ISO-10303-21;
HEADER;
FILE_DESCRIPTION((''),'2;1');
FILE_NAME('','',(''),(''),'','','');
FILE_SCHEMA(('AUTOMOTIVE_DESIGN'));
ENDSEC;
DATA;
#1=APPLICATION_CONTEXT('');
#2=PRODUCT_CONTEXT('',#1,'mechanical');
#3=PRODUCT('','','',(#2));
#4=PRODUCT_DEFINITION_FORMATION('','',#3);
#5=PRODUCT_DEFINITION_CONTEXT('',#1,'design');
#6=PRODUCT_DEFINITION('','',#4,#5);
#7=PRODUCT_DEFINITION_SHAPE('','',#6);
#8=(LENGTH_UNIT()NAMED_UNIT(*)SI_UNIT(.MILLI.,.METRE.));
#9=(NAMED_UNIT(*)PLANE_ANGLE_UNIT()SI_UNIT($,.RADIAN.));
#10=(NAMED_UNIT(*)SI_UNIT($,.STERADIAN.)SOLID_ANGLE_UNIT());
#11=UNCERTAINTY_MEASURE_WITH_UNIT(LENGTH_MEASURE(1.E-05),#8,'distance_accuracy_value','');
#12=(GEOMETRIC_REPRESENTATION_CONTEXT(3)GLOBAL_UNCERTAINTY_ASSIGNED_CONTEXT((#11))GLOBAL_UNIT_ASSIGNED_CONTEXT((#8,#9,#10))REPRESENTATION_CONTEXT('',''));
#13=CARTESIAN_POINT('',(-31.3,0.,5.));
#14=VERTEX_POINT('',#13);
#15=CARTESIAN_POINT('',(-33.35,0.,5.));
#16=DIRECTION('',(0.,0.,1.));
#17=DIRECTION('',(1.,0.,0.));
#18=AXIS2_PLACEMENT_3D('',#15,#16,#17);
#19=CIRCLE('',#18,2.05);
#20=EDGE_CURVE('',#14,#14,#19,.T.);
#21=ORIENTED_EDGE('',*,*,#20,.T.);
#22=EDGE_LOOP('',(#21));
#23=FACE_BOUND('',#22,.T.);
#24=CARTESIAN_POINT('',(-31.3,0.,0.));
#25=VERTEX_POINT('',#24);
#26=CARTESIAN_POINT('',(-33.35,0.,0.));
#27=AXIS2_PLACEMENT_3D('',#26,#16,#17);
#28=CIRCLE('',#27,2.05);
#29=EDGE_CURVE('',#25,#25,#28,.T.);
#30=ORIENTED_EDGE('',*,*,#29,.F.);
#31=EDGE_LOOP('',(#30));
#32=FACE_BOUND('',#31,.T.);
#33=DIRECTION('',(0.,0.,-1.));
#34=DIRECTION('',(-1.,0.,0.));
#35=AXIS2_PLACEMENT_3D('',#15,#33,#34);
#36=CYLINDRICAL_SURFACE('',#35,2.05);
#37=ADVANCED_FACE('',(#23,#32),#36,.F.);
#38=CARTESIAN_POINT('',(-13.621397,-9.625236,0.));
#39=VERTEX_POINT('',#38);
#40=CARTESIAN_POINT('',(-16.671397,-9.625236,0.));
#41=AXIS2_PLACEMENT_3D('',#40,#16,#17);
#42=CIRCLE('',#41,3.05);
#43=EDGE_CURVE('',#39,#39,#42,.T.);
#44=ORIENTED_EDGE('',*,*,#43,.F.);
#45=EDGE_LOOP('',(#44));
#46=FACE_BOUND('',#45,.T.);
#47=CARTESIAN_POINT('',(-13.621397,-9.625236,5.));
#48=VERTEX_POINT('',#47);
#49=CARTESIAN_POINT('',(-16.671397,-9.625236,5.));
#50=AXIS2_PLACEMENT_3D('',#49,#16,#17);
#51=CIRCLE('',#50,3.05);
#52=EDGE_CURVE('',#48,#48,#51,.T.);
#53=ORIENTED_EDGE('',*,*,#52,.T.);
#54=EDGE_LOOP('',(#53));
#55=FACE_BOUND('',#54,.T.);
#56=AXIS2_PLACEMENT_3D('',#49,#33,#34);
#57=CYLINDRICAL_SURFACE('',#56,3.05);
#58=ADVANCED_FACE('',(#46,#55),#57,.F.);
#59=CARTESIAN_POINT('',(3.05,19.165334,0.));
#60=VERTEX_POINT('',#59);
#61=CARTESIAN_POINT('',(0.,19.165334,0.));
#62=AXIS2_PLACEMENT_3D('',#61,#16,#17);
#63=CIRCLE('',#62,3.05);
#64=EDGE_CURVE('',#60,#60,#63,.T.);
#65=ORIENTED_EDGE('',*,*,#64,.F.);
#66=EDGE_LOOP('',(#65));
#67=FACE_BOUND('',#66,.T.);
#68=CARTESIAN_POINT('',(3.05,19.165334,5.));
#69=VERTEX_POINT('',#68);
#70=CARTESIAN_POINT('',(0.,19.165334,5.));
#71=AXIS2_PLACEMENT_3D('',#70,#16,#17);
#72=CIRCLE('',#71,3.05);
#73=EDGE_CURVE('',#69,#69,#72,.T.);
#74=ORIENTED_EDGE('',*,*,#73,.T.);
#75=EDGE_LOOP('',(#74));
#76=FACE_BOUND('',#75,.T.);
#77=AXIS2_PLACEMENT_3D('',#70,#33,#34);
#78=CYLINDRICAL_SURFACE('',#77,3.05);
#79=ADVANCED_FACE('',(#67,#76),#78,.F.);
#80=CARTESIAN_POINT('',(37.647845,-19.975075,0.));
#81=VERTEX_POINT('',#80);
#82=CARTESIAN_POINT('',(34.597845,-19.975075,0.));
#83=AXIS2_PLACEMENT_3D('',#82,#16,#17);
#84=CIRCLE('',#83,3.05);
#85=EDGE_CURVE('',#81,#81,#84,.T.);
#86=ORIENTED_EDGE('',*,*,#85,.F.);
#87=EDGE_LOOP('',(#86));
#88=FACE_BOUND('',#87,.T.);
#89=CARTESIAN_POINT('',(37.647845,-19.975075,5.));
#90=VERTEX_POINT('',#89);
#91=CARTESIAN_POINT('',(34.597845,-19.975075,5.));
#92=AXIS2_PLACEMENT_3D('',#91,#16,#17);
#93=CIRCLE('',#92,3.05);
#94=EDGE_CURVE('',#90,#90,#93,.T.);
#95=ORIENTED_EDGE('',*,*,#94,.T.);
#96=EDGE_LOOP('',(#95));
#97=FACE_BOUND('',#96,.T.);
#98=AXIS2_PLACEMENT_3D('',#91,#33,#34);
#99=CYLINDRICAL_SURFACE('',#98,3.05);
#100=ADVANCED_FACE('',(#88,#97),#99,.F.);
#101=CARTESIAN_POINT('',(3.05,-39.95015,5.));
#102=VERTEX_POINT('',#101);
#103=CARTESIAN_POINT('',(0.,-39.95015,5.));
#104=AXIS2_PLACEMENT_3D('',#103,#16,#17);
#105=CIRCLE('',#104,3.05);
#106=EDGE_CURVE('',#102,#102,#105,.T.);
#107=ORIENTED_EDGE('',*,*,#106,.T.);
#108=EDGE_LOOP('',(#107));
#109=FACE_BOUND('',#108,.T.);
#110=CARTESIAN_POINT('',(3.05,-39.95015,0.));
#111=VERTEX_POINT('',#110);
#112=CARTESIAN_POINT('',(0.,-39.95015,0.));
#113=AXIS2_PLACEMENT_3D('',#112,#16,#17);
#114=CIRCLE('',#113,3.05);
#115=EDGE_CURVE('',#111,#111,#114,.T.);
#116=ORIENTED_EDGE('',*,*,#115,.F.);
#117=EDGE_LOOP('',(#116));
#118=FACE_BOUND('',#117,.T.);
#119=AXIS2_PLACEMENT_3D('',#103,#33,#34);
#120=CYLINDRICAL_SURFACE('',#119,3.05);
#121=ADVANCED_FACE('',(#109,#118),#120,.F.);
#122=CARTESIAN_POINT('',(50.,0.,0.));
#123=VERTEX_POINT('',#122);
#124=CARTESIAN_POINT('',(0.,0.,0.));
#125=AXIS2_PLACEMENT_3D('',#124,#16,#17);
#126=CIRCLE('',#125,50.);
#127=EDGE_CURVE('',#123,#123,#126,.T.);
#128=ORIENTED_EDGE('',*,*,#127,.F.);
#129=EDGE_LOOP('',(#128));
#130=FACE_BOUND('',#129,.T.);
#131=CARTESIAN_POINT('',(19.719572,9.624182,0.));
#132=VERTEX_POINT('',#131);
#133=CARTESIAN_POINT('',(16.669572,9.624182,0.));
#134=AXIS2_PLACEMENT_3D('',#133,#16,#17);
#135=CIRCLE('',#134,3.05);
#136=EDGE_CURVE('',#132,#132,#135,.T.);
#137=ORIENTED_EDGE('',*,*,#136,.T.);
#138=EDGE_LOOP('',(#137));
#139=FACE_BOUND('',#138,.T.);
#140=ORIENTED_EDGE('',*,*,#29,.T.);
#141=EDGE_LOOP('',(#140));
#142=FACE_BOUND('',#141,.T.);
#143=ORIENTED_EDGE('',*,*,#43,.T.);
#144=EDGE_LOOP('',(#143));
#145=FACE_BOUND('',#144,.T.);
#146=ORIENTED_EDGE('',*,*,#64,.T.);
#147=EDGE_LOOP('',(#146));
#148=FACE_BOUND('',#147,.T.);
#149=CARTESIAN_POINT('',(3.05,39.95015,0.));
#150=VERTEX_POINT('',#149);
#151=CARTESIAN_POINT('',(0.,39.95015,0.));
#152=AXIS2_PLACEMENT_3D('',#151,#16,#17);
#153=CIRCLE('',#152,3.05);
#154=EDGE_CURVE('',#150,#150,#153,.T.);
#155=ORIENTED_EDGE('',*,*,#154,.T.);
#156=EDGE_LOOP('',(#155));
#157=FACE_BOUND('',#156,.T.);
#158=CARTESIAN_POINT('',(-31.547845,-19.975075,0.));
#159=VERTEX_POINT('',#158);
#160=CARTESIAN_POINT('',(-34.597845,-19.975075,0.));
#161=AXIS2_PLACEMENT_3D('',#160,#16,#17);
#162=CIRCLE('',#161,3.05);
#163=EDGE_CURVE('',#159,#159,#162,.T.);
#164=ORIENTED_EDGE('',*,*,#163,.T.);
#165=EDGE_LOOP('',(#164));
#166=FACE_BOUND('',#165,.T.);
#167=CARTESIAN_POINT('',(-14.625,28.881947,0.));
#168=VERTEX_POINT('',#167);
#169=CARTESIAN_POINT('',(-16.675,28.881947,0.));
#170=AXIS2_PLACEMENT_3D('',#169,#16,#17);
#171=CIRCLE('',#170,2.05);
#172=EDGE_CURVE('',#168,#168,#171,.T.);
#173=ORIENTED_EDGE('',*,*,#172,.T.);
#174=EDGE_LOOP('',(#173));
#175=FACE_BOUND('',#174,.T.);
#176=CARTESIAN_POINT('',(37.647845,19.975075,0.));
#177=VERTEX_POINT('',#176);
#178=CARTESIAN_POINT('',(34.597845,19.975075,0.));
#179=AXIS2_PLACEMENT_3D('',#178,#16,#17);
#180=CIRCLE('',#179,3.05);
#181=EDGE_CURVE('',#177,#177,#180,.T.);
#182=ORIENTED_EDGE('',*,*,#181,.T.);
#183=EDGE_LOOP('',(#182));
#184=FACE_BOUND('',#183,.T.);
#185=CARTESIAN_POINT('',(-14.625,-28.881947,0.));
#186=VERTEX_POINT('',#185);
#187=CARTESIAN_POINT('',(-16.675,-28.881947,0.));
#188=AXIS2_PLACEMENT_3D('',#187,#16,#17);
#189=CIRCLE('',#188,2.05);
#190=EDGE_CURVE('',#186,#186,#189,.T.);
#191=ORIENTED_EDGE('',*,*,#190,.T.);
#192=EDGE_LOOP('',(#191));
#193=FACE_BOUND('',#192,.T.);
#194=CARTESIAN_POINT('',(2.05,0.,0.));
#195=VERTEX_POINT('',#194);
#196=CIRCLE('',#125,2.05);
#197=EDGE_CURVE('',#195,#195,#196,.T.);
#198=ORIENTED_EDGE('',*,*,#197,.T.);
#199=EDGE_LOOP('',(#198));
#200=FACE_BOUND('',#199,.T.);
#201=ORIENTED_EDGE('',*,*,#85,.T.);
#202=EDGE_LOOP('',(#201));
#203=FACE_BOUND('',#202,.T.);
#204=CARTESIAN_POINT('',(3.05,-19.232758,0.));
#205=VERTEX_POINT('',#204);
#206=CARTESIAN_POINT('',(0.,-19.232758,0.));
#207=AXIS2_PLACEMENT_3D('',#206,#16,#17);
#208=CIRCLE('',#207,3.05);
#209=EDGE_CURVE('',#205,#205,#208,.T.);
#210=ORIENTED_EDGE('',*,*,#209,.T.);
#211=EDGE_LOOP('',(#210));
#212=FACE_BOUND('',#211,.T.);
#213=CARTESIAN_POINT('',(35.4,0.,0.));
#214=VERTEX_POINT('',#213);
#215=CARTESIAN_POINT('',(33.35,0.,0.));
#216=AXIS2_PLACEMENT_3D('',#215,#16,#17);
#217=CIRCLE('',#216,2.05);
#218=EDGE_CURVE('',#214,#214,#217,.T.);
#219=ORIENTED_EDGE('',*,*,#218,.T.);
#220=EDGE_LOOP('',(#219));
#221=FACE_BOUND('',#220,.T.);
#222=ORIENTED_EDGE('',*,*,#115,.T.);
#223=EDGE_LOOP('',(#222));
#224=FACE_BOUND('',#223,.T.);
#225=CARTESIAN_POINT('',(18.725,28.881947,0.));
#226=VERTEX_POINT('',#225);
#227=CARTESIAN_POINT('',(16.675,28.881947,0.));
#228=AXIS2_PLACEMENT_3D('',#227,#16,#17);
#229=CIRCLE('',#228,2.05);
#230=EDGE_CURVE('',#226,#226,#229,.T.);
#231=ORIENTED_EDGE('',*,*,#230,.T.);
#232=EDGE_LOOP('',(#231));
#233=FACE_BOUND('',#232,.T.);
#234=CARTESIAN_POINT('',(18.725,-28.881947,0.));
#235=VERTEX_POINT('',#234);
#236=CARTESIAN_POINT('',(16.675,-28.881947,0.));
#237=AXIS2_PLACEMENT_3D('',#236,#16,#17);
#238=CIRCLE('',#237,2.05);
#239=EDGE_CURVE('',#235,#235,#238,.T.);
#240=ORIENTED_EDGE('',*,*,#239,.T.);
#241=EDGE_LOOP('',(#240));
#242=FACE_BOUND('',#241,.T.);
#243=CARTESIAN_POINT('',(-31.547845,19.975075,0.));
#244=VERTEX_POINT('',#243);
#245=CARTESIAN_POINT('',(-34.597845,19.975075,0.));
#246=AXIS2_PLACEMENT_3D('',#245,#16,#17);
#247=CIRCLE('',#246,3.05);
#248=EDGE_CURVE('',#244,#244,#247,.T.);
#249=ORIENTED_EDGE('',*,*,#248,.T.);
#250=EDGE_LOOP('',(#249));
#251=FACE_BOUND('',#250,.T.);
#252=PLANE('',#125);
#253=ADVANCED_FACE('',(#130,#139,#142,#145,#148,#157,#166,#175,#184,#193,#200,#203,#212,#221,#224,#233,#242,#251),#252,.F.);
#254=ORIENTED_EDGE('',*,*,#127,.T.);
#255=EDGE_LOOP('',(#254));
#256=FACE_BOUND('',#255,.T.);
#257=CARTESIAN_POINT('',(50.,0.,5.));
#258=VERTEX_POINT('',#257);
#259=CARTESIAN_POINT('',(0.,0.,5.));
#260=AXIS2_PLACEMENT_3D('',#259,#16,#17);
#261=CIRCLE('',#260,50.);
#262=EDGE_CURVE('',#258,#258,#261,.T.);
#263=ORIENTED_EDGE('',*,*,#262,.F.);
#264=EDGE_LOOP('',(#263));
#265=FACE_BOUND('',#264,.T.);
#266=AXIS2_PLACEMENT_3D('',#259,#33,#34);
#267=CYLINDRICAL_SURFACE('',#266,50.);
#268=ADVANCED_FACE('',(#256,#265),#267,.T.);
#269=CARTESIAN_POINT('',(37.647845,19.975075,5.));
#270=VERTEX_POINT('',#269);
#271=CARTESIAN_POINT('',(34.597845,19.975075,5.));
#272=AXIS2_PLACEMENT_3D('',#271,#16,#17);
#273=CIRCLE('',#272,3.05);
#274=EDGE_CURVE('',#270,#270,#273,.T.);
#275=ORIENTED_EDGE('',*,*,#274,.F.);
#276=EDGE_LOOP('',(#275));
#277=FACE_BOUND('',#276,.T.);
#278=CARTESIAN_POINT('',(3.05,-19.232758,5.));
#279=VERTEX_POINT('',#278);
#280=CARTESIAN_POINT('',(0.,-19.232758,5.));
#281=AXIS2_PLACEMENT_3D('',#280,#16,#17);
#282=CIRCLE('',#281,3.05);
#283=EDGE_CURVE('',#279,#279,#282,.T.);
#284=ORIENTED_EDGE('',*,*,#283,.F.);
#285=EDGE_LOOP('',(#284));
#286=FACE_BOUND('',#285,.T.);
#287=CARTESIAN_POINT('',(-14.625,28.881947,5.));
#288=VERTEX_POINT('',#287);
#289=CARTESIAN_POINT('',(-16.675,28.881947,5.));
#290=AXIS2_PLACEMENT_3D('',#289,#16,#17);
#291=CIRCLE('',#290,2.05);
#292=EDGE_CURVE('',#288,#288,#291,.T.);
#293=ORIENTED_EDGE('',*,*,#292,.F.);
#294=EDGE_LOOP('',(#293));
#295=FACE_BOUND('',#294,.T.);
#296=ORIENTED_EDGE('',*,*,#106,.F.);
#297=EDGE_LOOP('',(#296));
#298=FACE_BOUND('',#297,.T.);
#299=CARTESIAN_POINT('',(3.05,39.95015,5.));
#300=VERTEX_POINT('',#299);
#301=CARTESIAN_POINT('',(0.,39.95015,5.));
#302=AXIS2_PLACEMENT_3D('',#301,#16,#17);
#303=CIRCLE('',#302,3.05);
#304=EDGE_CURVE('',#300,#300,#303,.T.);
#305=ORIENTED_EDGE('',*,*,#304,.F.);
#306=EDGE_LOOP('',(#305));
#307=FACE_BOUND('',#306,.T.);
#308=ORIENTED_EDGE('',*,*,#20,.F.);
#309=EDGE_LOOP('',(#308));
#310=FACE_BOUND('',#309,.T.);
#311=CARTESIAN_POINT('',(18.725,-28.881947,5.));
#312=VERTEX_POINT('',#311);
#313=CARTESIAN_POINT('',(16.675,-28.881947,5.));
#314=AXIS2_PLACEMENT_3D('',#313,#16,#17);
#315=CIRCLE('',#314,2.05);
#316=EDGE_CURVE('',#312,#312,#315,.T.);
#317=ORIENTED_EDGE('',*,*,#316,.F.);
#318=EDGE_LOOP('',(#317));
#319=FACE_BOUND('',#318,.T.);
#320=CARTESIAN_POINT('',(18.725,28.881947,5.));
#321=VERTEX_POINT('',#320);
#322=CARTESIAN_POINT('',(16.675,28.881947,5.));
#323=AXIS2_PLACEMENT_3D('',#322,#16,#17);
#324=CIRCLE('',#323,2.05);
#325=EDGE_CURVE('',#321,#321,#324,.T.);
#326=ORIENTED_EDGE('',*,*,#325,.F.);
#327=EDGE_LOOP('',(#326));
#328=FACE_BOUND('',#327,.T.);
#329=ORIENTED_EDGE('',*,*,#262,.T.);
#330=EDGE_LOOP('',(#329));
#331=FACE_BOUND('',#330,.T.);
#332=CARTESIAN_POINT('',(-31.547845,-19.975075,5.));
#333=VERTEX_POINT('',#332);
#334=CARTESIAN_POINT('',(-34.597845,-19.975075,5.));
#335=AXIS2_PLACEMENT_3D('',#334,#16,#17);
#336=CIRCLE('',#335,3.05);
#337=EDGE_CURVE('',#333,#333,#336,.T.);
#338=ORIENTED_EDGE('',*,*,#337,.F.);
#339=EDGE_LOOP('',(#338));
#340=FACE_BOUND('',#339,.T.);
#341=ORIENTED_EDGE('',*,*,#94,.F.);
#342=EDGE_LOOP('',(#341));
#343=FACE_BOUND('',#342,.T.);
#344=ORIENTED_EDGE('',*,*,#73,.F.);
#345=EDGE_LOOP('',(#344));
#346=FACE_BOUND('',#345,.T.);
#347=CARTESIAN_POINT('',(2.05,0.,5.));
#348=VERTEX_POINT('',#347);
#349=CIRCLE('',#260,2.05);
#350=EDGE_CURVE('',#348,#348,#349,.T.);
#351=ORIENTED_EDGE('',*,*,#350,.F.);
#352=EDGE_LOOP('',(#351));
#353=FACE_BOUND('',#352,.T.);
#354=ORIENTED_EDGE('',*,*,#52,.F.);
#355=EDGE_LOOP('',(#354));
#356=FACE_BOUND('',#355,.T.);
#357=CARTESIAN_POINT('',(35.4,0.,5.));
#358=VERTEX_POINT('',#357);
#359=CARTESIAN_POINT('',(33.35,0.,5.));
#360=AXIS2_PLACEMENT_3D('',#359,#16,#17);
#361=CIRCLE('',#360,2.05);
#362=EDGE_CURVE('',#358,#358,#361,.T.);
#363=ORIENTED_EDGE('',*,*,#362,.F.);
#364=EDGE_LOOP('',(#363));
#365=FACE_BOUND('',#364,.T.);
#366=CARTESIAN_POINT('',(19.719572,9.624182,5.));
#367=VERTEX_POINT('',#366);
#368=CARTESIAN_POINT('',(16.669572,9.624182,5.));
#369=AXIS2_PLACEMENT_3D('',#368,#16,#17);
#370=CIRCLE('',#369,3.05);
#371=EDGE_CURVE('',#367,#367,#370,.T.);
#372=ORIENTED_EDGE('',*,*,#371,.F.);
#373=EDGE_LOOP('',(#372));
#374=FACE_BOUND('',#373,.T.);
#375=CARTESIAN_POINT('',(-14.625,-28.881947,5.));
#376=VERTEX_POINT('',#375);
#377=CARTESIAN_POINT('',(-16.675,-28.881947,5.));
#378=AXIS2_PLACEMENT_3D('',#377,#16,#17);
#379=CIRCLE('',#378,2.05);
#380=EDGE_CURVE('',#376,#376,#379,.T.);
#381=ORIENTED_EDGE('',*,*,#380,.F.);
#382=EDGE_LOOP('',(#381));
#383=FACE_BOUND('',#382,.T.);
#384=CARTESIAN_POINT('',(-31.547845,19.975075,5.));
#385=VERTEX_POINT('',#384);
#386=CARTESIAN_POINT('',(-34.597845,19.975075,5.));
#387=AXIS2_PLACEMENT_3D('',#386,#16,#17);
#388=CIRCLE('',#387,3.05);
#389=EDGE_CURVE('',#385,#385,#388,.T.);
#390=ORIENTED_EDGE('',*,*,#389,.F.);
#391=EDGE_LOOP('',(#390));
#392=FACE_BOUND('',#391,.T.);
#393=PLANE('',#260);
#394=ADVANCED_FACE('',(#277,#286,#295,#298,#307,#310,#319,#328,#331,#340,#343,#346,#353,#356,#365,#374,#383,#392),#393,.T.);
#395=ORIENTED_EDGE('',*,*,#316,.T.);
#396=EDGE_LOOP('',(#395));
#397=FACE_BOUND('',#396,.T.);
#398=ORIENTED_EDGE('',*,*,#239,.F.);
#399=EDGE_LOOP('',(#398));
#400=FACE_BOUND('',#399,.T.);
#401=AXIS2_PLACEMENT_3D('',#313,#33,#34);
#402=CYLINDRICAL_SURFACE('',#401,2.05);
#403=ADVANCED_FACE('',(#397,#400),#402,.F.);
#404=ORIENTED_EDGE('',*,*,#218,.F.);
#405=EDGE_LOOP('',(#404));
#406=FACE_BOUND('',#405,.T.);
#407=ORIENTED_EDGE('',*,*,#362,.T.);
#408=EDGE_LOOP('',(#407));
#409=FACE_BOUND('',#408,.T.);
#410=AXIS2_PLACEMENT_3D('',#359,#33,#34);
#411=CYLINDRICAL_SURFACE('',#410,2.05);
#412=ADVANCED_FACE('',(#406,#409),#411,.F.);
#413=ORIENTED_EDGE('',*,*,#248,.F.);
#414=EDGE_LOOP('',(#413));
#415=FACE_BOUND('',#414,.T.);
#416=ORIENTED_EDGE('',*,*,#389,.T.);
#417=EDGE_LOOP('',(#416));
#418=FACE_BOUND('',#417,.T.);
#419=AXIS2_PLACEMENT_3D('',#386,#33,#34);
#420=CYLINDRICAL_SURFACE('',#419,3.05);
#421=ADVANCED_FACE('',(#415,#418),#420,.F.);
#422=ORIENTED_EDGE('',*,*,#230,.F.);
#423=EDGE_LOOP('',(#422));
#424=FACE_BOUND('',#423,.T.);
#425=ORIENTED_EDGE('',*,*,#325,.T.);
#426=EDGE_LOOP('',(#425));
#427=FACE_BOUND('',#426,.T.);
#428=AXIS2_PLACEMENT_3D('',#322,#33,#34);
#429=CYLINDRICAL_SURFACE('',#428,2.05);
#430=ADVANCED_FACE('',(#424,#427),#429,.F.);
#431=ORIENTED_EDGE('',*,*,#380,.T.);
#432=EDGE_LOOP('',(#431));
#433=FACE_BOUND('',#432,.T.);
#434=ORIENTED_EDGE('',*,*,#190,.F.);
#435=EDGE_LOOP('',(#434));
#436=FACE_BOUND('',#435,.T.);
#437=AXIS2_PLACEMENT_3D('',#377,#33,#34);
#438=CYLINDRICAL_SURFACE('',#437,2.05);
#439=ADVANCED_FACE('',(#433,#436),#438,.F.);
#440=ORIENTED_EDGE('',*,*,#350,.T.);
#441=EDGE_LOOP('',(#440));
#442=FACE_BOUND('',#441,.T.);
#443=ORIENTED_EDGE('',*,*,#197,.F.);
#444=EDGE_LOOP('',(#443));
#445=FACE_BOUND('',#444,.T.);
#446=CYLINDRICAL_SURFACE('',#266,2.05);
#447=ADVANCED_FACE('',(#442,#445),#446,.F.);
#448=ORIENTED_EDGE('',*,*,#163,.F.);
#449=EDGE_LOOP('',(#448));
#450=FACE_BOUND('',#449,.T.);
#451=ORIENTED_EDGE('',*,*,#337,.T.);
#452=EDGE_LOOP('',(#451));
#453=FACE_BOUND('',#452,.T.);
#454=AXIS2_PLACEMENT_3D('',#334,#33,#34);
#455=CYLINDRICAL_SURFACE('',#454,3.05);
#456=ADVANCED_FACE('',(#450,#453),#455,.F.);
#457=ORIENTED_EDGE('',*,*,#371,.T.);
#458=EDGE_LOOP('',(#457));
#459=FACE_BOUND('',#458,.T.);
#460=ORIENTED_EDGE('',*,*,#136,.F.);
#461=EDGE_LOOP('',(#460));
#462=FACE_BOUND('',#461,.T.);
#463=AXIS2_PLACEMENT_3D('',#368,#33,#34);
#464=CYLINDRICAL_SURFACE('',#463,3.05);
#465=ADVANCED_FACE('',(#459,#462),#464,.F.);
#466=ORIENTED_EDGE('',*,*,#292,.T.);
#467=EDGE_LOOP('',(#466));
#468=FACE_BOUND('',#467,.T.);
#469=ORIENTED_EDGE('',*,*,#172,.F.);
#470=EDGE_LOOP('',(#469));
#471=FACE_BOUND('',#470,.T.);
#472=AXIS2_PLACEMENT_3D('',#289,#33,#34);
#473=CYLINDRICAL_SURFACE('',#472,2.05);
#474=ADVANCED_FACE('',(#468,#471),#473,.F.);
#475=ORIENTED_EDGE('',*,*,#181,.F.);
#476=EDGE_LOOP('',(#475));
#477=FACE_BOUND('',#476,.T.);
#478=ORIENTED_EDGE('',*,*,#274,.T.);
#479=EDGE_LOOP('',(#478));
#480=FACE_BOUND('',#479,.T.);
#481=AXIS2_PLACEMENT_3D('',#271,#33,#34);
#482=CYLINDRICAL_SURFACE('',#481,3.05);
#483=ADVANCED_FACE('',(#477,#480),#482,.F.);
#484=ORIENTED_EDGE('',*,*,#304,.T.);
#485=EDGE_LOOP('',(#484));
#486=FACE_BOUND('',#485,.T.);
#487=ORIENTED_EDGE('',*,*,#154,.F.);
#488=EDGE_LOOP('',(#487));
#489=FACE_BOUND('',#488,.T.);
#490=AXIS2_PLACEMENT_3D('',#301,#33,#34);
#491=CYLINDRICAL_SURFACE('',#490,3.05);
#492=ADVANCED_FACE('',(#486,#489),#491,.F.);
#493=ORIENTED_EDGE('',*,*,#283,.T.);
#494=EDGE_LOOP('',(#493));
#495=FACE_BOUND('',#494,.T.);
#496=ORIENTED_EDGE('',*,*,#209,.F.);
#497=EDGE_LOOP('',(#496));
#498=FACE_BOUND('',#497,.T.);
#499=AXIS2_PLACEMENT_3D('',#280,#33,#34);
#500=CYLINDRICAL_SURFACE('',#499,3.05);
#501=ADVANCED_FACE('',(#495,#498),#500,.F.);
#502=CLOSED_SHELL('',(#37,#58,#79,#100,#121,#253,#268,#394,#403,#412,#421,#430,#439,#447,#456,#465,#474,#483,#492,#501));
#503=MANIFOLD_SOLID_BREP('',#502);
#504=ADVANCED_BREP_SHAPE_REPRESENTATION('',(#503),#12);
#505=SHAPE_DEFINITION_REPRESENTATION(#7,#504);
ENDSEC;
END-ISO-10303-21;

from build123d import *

# Parameters (mm, degrees)
ESQUISSE1_R        = 50
ESQUISSE1_R_2      = 3.05
ESQUISSE1_R_3      = 2.05
BOSS_EXTRU_1_DEPTH = 5


with BuildPart() as part:
    # Esquisse1 → Boss.-Extru.1 (new body)
    with BuildSketch(Plane.XY):
        Circle(ESQUISSE1_R)
        with Locations((-34.597845014, 19.975075133)):
            Circle(ESQUISSE1_R_2, mode=Mode.SUBTRACT)
        with Locations((0, 39.950150265)):
            Circle(ESQUISSE1_R_2, mode=Mode.SUBTRACT)
        with Locations((34.597845014, 19.975075133)):
            Circle(ESQUISSE1_R_2, mode=Mode.SUBTRACT)
        with Locations((34.597845014, -19.975075132)):
            Circle(ESQUISSE1_R_2, mode=Mode.SUBTRACT)
        with Locations((0, -39.950150265)):
            Circle(ESQUISSE1_R_2, mode=Mode.SUBTRACT)
        with Locations((-34.597845014, -19.975075133)):
            Circle(ESQUISSE1_R_2, mode=Mode.SUBTRACT)
        with Locations((0, 19.165334425)):
            Circle(ESQUISSE1_R_2, mode=Mode.SUBTRACT)
        with Locations((0, -19.232757636)):
            Circle(ESQUISSE1_R_2, mode=Mode.SUBTRACT)
        with Locations((-33.35, 0)):
            Circle(ESQUISSE1_R_3, mode=Mode.SUBTRACT)
        with Locations((-16.675, 28.881947216)):
            Circle(ESQUISSE1_R_3, mode=Mode.SUBTRACT)
        with Locations((16.675, 28.881947216)):
            Circle(ESQUISSE1_R_3, mode=Mode.SUBTRACT)
        with Locations((33.35, 0)):
            Circle(ESQUISSE1_R_3, mode=Mode.SUBTRACT)
        with Locations((16.675, -28.881947216)):
            Circle(ESQUISSE1_R_3, mode=Mode.SUBTRACT)
        with Locations((-16.675, -28.881947216)):
            Circle(ESQUISSE1_R_3, mode=Mode.SUBTRACT)
        Circle(ESQUISSE1_R_3, mode=Mode.SUBTRACT)
        with Locations((-16.671397033, -9.625235564)):
            Circle(ESQUISSE1_R_2, mode=Mode.SUBTRACT)
        with Locations((16.669571796, 9.624181764)):
            Circle(ESQUISSE1_R_2, mode=Mode.SUBTRACT)
    extrude(amount=BOSS_EXTRU_1_DEPTH)


solid = part.part
